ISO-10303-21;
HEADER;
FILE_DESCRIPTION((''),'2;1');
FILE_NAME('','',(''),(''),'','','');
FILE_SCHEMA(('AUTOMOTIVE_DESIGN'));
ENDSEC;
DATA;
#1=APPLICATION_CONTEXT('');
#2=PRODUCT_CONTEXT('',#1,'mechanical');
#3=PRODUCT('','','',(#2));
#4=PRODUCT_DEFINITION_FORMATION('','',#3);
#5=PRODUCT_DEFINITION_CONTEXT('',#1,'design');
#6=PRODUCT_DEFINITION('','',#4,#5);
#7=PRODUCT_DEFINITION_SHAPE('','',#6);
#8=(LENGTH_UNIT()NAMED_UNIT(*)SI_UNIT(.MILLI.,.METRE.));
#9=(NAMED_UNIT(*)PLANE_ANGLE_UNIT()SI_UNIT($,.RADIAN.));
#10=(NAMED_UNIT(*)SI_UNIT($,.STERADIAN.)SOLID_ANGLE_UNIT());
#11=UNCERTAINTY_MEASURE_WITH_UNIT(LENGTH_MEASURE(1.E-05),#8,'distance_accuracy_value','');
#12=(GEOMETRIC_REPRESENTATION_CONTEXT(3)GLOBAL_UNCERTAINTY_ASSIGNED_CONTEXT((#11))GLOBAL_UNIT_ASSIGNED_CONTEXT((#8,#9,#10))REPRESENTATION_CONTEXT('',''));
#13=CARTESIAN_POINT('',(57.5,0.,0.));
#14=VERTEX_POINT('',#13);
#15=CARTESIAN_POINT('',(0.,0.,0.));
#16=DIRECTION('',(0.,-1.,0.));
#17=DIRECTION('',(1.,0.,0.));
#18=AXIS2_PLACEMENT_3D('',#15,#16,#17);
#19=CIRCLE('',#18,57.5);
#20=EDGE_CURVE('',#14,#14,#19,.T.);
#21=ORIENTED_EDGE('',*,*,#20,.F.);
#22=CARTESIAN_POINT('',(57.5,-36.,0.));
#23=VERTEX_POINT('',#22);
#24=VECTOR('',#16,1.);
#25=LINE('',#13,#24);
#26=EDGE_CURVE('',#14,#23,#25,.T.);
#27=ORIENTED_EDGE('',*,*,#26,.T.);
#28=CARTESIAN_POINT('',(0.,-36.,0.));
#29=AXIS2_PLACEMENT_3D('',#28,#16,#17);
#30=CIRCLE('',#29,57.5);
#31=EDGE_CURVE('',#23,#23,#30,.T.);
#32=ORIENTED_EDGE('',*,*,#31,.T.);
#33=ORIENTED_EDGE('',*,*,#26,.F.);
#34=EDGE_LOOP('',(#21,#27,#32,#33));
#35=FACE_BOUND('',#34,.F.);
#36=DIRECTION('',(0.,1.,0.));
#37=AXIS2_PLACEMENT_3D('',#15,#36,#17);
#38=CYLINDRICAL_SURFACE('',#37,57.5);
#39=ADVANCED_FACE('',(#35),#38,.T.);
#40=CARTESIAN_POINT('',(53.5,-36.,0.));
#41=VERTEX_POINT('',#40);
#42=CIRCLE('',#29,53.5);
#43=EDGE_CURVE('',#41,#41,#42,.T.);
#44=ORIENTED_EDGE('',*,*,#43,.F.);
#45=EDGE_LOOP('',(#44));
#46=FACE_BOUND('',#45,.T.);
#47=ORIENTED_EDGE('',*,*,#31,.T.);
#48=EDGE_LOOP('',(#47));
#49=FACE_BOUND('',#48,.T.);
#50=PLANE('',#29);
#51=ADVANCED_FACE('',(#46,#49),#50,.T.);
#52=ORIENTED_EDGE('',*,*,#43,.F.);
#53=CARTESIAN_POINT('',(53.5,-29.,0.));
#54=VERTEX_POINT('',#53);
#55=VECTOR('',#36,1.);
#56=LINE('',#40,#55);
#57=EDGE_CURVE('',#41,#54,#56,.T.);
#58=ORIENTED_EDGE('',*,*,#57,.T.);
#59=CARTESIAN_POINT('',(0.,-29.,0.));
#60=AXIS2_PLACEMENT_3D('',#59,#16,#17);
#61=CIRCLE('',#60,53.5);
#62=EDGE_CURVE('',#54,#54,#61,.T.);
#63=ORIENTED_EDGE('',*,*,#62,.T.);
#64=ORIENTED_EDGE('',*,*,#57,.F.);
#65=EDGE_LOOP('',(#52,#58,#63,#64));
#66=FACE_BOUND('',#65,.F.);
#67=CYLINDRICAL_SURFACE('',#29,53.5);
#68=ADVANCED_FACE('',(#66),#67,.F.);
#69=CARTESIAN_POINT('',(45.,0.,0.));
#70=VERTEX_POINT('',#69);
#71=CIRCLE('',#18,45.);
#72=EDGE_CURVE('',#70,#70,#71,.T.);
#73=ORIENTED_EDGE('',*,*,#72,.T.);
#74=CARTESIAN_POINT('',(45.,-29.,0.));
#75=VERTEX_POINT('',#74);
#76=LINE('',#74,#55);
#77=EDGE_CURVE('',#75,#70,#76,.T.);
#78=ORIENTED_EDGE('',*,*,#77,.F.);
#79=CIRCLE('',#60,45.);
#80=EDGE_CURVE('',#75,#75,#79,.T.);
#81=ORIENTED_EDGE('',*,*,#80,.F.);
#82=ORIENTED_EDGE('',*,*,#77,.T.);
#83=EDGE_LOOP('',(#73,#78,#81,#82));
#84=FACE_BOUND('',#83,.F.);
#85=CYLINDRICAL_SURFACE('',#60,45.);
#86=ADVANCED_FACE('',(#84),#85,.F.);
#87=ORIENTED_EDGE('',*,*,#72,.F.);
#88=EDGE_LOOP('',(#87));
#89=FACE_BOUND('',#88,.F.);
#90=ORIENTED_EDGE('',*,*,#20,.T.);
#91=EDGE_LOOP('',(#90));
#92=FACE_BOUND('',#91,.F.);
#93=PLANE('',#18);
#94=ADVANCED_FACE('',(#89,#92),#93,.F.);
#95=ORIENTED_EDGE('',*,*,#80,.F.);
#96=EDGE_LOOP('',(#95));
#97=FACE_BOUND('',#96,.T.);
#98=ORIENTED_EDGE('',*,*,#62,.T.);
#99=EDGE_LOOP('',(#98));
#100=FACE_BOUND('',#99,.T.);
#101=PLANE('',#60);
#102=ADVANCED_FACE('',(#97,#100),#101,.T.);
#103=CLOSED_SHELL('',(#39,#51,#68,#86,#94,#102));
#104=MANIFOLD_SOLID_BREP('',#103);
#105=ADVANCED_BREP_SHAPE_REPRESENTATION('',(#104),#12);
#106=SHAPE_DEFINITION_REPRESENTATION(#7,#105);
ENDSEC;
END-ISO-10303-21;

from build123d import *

# Parameters (mm, degrees)
F0_R     = 57.5
F1_DEPTH = 36
F2_R     = 53.5
F3_DEPTH = 7
F4_R     = 45
F5_DEPTH = 29.001


with BuildPart() as f1:
    # F0 (on Front) → F1 (new body)
    with BuildSketch(Plane.XZ):
        Circle(F0_R)
    extrude(amount=F1_DEPTH)

    # F2 (on face) → F3 (cut)
    with BuildSketch(Plane.XZ.offset(36)):
        Circle(F2_R)
    extrude(amount=-F3_DEPTH, mode=Mode.SUBTRACT)

    # F4 (on face) → F5 (cut, through all)
    with BuildSketch(Plane.XZ.offset(29)):
        Circle(F4_R)
    extrude(amount=-F5_DEPTH, mode=Mode.SUBTRACT)


solid = f1.part
